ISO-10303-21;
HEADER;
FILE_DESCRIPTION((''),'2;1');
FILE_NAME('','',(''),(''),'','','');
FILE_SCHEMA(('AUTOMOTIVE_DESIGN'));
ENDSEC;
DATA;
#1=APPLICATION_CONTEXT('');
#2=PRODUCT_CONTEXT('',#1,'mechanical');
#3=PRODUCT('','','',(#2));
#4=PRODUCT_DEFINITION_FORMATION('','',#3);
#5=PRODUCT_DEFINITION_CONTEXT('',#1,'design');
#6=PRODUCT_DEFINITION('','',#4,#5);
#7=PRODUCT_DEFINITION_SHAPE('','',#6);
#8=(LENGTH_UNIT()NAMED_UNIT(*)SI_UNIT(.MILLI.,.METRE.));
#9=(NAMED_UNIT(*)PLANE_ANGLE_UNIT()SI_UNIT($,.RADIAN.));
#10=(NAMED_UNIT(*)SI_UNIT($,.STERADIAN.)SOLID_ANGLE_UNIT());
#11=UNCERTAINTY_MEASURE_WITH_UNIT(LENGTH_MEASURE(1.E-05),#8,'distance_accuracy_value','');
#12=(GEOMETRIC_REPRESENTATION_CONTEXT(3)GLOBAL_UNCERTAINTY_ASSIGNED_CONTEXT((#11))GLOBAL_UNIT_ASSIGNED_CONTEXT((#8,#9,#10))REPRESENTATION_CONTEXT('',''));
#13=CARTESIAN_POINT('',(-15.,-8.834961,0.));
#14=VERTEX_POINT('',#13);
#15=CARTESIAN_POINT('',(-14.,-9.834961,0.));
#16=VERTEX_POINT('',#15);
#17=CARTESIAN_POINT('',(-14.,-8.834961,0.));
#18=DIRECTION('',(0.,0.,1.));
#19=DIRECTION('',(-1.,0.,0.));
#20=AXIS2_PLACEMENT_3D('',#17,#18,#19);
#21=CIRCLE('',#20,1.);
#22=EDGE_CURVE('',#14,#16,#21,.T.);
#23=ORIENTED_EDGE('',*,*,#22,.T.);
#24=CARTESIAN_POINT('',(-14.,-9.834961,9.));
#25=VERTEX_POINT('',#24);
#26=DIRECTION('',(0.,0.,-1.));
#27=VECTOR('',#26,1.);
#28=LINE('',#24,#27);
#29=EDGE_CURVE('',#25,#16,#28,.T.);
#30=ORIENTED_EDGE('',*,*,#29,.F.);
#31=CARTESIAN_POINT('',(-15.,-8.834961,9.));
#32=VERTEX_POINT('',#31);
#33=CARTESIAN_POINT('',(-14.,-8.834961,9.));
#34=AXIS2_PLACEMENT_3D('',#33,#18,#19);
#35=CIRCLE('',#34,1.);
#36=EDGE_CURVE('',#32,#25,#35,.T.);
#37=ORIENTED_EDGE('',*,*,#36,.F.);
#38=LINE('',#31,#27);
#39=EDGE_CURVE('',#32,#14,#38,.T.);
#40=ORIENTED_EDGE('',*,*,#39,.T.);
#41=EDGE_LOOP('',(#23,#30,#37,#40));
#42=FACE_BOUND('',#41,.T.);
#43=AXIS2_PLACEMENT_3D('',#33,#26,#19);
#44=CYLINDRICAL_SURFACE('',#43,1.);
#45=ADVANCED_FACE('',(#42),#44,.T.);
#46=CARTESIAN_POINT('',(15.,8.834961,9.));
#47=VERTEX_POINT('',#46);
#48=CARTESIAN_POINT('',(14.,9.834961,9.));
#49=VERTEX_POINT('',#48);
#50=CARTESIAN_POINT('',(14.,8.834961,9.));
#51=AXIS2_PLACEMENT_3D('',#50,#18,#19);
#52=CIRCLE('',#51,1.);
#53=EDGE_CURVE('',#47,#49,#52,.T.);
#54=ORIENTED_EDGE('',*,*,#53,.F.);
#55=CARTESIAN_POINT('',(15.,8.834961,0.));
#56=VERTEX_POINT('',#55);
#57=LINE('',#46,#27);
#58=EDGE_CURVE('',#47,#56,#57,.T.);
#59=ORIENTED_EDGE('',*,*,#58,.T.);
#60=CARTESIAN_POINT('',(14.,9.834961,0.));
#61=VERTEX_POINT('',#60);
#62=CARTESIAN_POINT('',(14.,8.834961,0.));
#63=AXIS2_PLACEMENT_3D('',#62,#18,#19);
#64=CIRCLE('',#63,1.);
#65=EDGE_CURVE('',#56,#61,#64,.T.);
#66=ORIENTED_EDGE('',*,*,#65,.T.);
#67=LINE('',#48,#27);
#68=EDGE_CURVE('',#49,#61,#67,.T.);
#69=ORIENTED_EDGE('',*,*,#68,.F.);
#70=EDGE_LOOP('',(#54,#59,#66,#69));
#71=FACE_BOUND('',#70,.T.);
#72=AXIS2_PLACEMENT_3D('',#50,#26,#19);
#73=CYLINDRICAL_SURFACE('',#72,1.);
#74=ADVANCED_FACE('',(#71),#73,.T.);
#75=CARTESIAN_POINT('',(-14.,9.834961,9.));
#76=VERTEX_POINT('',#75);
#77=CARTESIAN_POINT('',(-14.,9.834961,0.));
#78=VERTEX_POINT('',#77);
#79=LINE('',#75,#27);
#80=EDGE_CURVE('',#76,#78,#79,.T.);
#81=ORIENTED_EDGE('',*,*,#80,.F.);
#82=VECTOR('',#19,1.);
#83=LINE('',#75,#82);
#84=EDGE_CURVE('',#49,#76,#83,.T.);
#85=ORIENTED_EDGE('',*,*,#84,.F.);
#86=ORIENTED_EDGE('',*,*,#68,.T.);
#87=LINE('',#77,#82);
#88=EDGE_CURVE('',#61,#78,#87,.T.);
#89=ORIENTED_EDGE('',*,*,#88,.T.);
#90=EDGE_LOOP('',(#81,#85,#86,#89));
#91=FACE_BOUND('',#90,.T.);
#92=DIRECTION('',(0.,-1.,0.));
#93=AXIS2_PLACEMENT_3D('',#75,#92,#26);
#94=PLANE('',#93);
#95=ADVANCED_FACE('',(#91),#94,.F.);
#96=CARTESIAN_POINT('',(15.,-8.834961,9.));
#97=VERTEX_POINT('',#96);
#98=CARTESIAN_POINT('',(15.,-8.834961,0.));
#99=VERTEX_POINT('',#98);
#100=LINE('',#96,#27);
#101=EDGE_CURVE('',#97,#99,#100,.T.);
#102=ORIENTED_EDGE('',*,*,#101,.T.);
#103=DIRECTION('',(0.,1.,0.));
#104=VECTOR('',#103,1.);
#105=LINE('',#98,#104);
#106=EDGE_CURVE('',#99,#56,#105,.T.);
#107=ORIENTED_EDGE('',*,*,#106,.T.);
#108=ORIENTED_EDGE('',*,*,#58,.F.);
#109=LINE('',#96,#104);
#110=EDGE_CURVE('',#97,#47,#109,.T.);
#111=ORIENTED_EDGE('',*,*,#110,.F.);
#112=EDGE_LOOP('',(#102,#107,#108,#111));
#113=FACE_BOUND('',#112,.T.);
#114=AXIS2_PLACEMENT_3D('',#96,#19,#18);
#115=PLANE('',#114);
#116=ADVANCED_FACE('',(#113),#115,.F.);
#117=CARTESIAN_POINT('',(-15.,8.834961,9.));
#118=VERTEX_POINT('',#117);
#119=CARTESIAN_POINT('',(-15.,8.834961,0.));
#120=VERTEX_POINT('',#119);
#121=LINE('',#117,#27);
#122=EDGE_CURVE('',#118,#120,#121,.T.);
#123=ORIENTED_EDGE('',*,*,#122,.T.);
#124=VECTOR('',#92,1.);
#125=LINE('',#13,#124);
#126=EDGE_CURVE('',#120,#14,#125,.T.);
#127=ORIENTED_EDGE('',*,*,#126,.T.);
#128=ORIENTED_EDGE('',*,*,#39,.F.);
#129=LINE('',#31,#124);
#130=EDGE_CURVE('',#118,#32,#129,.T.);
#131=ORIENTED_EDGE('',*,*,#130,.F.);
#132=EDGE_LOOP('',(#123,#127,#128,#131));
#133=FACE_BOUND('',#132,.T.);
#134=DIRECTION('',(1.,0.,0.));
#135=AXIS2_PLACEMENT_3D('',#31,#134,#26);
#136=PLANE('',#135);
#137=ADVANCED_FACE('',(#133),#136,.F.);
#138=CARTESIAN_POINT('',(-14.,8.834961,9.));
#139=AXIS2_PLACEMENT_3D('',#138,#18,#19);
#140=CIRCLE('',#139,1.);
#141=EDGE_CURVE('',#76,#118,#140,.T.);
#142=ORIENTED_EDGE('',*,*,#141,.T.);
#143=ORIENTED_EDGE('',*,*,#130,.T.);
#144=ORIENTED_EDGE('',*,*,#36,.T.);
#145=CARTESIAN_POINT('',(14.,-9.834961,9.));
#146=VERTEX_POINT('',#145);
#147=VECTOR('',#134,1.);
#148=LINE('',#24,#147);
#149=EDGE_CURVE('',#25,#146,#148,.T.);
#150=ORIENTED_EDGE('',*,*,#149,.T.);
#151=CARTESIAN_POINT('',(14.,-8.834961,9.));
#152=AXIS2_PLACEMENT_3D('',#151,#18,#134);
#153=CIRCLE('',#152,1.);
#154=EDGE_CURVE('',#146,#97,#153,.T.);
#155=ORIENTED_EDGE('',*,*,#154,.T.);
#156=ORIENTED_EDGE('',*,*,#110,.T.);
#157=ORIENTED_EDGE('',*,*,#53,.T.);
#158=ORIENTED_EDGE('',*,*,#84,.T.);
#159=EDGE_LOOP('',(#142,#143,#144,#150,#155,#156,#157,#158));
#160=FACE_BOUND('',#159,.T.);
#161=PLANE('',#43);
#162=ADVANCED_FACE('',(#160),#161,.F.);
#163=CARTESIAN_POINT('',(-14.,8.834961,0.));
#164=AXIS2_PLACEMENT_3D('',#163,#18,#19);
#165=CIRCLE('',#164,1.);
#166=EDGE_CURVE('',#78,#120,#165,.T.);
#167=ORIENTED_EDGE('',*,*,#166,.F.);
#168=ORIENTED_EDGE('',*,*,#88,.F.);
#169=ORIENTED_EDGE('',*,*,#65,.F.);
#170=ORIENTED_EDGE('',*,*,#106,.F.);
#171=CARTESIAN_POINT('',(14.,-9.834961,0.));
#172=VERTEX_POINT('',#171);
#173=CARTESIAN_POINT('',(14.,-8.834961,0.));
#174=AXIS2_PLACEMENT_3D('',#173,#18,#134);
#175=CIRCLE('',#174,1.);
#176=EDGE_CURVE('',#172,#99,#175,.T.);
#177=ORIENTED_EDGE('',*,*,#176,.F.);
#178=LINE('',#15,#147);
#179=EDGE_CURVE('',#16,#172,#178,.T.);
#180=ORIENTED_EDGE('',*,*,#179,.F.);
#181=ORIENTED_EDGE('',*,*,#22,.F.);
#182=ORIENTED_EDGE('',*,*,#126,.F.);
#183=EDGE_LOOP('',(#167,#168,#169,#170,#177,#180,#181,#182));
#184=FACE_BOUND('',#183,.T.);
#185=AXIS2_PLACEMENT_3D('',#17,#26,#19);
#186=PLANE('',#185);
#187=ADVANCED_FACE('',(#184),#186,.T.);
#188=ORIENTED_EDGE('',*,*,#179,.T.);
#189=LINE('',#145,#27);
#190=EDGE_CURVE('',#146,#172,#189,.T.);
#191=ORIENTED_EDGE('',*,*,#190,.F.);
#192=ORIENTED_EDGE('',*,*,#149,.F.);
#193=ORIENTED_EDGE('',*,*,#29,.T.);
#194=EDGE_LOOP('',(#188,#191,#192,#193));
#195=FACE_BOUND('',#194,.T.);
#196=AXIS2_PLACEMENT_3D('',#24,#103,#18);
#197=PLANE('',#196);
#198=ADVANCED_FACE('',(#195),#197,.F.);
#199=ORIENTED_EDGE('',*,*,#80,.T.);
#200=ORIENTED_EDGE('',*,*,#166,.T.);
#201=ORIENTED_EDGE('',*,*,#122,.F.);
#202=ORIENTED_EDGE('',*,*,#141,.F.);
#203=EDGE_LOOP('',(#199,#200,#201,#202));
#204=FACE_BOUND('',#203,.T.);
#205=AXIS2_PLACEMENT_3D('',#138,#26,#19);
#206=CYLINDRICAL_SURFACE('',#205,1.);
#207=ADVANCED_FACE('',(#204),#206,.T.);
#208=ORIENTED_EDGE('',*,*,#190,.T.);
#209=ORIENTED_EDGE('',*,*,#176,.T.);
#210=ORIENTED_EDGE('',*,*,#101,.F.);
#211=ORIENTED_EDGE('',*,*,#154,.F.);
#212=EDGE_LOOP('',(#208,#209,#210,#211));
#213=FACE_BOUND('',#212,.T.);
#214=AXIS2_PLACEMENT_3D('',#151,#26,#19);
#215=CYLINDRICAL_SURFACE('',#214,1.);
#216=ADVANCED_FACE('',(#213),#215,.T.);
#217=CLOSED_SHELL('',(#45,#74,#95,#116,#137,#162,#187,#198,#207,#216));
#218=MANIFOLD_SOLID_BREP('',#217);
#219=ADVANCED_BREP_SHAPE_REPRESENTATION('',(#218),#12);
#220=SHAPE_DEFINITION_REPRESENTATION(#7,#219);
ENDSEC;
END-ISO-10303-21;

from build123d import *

# Parameters (mm, degrees)
BOSS_EXTRUDE1_DEPTH = 9


with BuildPart() as part:
    # Sketch2 → Boss-Extrude1 (new body)
    with BuildSketch(Plane.XY):
        with BuildLine():
            Line((-14, -9.834961348), (14, -9.834961348))
            ThreePointArc((14, -9.834961348), (14.707106781, -9.54206813), (15, -8.834961348))
            Line((15, -8.834961348), (15, 8.834961348))
            ThreePointArc((15, 8.834961348), (14.707106781, 9.54206813), (14, 9.834961348))
            Line((14, 9.834961348), (-14, 9.834961348))
            ThreePointArc((-14, 9.834961348), (-14.707106781, 9.54206813), (-15, 8.834961348))
            Line((-15, 8.834961348), (-15, -8.834961348))
            ThreePointArc((-15, -8.834961348), (-14.707106781, -9.54206813), (-14, -9.834961348))
        make_face()
    extrude(amount=BOSS_EXTRUDE1_DEPTH)


solid = part.part
